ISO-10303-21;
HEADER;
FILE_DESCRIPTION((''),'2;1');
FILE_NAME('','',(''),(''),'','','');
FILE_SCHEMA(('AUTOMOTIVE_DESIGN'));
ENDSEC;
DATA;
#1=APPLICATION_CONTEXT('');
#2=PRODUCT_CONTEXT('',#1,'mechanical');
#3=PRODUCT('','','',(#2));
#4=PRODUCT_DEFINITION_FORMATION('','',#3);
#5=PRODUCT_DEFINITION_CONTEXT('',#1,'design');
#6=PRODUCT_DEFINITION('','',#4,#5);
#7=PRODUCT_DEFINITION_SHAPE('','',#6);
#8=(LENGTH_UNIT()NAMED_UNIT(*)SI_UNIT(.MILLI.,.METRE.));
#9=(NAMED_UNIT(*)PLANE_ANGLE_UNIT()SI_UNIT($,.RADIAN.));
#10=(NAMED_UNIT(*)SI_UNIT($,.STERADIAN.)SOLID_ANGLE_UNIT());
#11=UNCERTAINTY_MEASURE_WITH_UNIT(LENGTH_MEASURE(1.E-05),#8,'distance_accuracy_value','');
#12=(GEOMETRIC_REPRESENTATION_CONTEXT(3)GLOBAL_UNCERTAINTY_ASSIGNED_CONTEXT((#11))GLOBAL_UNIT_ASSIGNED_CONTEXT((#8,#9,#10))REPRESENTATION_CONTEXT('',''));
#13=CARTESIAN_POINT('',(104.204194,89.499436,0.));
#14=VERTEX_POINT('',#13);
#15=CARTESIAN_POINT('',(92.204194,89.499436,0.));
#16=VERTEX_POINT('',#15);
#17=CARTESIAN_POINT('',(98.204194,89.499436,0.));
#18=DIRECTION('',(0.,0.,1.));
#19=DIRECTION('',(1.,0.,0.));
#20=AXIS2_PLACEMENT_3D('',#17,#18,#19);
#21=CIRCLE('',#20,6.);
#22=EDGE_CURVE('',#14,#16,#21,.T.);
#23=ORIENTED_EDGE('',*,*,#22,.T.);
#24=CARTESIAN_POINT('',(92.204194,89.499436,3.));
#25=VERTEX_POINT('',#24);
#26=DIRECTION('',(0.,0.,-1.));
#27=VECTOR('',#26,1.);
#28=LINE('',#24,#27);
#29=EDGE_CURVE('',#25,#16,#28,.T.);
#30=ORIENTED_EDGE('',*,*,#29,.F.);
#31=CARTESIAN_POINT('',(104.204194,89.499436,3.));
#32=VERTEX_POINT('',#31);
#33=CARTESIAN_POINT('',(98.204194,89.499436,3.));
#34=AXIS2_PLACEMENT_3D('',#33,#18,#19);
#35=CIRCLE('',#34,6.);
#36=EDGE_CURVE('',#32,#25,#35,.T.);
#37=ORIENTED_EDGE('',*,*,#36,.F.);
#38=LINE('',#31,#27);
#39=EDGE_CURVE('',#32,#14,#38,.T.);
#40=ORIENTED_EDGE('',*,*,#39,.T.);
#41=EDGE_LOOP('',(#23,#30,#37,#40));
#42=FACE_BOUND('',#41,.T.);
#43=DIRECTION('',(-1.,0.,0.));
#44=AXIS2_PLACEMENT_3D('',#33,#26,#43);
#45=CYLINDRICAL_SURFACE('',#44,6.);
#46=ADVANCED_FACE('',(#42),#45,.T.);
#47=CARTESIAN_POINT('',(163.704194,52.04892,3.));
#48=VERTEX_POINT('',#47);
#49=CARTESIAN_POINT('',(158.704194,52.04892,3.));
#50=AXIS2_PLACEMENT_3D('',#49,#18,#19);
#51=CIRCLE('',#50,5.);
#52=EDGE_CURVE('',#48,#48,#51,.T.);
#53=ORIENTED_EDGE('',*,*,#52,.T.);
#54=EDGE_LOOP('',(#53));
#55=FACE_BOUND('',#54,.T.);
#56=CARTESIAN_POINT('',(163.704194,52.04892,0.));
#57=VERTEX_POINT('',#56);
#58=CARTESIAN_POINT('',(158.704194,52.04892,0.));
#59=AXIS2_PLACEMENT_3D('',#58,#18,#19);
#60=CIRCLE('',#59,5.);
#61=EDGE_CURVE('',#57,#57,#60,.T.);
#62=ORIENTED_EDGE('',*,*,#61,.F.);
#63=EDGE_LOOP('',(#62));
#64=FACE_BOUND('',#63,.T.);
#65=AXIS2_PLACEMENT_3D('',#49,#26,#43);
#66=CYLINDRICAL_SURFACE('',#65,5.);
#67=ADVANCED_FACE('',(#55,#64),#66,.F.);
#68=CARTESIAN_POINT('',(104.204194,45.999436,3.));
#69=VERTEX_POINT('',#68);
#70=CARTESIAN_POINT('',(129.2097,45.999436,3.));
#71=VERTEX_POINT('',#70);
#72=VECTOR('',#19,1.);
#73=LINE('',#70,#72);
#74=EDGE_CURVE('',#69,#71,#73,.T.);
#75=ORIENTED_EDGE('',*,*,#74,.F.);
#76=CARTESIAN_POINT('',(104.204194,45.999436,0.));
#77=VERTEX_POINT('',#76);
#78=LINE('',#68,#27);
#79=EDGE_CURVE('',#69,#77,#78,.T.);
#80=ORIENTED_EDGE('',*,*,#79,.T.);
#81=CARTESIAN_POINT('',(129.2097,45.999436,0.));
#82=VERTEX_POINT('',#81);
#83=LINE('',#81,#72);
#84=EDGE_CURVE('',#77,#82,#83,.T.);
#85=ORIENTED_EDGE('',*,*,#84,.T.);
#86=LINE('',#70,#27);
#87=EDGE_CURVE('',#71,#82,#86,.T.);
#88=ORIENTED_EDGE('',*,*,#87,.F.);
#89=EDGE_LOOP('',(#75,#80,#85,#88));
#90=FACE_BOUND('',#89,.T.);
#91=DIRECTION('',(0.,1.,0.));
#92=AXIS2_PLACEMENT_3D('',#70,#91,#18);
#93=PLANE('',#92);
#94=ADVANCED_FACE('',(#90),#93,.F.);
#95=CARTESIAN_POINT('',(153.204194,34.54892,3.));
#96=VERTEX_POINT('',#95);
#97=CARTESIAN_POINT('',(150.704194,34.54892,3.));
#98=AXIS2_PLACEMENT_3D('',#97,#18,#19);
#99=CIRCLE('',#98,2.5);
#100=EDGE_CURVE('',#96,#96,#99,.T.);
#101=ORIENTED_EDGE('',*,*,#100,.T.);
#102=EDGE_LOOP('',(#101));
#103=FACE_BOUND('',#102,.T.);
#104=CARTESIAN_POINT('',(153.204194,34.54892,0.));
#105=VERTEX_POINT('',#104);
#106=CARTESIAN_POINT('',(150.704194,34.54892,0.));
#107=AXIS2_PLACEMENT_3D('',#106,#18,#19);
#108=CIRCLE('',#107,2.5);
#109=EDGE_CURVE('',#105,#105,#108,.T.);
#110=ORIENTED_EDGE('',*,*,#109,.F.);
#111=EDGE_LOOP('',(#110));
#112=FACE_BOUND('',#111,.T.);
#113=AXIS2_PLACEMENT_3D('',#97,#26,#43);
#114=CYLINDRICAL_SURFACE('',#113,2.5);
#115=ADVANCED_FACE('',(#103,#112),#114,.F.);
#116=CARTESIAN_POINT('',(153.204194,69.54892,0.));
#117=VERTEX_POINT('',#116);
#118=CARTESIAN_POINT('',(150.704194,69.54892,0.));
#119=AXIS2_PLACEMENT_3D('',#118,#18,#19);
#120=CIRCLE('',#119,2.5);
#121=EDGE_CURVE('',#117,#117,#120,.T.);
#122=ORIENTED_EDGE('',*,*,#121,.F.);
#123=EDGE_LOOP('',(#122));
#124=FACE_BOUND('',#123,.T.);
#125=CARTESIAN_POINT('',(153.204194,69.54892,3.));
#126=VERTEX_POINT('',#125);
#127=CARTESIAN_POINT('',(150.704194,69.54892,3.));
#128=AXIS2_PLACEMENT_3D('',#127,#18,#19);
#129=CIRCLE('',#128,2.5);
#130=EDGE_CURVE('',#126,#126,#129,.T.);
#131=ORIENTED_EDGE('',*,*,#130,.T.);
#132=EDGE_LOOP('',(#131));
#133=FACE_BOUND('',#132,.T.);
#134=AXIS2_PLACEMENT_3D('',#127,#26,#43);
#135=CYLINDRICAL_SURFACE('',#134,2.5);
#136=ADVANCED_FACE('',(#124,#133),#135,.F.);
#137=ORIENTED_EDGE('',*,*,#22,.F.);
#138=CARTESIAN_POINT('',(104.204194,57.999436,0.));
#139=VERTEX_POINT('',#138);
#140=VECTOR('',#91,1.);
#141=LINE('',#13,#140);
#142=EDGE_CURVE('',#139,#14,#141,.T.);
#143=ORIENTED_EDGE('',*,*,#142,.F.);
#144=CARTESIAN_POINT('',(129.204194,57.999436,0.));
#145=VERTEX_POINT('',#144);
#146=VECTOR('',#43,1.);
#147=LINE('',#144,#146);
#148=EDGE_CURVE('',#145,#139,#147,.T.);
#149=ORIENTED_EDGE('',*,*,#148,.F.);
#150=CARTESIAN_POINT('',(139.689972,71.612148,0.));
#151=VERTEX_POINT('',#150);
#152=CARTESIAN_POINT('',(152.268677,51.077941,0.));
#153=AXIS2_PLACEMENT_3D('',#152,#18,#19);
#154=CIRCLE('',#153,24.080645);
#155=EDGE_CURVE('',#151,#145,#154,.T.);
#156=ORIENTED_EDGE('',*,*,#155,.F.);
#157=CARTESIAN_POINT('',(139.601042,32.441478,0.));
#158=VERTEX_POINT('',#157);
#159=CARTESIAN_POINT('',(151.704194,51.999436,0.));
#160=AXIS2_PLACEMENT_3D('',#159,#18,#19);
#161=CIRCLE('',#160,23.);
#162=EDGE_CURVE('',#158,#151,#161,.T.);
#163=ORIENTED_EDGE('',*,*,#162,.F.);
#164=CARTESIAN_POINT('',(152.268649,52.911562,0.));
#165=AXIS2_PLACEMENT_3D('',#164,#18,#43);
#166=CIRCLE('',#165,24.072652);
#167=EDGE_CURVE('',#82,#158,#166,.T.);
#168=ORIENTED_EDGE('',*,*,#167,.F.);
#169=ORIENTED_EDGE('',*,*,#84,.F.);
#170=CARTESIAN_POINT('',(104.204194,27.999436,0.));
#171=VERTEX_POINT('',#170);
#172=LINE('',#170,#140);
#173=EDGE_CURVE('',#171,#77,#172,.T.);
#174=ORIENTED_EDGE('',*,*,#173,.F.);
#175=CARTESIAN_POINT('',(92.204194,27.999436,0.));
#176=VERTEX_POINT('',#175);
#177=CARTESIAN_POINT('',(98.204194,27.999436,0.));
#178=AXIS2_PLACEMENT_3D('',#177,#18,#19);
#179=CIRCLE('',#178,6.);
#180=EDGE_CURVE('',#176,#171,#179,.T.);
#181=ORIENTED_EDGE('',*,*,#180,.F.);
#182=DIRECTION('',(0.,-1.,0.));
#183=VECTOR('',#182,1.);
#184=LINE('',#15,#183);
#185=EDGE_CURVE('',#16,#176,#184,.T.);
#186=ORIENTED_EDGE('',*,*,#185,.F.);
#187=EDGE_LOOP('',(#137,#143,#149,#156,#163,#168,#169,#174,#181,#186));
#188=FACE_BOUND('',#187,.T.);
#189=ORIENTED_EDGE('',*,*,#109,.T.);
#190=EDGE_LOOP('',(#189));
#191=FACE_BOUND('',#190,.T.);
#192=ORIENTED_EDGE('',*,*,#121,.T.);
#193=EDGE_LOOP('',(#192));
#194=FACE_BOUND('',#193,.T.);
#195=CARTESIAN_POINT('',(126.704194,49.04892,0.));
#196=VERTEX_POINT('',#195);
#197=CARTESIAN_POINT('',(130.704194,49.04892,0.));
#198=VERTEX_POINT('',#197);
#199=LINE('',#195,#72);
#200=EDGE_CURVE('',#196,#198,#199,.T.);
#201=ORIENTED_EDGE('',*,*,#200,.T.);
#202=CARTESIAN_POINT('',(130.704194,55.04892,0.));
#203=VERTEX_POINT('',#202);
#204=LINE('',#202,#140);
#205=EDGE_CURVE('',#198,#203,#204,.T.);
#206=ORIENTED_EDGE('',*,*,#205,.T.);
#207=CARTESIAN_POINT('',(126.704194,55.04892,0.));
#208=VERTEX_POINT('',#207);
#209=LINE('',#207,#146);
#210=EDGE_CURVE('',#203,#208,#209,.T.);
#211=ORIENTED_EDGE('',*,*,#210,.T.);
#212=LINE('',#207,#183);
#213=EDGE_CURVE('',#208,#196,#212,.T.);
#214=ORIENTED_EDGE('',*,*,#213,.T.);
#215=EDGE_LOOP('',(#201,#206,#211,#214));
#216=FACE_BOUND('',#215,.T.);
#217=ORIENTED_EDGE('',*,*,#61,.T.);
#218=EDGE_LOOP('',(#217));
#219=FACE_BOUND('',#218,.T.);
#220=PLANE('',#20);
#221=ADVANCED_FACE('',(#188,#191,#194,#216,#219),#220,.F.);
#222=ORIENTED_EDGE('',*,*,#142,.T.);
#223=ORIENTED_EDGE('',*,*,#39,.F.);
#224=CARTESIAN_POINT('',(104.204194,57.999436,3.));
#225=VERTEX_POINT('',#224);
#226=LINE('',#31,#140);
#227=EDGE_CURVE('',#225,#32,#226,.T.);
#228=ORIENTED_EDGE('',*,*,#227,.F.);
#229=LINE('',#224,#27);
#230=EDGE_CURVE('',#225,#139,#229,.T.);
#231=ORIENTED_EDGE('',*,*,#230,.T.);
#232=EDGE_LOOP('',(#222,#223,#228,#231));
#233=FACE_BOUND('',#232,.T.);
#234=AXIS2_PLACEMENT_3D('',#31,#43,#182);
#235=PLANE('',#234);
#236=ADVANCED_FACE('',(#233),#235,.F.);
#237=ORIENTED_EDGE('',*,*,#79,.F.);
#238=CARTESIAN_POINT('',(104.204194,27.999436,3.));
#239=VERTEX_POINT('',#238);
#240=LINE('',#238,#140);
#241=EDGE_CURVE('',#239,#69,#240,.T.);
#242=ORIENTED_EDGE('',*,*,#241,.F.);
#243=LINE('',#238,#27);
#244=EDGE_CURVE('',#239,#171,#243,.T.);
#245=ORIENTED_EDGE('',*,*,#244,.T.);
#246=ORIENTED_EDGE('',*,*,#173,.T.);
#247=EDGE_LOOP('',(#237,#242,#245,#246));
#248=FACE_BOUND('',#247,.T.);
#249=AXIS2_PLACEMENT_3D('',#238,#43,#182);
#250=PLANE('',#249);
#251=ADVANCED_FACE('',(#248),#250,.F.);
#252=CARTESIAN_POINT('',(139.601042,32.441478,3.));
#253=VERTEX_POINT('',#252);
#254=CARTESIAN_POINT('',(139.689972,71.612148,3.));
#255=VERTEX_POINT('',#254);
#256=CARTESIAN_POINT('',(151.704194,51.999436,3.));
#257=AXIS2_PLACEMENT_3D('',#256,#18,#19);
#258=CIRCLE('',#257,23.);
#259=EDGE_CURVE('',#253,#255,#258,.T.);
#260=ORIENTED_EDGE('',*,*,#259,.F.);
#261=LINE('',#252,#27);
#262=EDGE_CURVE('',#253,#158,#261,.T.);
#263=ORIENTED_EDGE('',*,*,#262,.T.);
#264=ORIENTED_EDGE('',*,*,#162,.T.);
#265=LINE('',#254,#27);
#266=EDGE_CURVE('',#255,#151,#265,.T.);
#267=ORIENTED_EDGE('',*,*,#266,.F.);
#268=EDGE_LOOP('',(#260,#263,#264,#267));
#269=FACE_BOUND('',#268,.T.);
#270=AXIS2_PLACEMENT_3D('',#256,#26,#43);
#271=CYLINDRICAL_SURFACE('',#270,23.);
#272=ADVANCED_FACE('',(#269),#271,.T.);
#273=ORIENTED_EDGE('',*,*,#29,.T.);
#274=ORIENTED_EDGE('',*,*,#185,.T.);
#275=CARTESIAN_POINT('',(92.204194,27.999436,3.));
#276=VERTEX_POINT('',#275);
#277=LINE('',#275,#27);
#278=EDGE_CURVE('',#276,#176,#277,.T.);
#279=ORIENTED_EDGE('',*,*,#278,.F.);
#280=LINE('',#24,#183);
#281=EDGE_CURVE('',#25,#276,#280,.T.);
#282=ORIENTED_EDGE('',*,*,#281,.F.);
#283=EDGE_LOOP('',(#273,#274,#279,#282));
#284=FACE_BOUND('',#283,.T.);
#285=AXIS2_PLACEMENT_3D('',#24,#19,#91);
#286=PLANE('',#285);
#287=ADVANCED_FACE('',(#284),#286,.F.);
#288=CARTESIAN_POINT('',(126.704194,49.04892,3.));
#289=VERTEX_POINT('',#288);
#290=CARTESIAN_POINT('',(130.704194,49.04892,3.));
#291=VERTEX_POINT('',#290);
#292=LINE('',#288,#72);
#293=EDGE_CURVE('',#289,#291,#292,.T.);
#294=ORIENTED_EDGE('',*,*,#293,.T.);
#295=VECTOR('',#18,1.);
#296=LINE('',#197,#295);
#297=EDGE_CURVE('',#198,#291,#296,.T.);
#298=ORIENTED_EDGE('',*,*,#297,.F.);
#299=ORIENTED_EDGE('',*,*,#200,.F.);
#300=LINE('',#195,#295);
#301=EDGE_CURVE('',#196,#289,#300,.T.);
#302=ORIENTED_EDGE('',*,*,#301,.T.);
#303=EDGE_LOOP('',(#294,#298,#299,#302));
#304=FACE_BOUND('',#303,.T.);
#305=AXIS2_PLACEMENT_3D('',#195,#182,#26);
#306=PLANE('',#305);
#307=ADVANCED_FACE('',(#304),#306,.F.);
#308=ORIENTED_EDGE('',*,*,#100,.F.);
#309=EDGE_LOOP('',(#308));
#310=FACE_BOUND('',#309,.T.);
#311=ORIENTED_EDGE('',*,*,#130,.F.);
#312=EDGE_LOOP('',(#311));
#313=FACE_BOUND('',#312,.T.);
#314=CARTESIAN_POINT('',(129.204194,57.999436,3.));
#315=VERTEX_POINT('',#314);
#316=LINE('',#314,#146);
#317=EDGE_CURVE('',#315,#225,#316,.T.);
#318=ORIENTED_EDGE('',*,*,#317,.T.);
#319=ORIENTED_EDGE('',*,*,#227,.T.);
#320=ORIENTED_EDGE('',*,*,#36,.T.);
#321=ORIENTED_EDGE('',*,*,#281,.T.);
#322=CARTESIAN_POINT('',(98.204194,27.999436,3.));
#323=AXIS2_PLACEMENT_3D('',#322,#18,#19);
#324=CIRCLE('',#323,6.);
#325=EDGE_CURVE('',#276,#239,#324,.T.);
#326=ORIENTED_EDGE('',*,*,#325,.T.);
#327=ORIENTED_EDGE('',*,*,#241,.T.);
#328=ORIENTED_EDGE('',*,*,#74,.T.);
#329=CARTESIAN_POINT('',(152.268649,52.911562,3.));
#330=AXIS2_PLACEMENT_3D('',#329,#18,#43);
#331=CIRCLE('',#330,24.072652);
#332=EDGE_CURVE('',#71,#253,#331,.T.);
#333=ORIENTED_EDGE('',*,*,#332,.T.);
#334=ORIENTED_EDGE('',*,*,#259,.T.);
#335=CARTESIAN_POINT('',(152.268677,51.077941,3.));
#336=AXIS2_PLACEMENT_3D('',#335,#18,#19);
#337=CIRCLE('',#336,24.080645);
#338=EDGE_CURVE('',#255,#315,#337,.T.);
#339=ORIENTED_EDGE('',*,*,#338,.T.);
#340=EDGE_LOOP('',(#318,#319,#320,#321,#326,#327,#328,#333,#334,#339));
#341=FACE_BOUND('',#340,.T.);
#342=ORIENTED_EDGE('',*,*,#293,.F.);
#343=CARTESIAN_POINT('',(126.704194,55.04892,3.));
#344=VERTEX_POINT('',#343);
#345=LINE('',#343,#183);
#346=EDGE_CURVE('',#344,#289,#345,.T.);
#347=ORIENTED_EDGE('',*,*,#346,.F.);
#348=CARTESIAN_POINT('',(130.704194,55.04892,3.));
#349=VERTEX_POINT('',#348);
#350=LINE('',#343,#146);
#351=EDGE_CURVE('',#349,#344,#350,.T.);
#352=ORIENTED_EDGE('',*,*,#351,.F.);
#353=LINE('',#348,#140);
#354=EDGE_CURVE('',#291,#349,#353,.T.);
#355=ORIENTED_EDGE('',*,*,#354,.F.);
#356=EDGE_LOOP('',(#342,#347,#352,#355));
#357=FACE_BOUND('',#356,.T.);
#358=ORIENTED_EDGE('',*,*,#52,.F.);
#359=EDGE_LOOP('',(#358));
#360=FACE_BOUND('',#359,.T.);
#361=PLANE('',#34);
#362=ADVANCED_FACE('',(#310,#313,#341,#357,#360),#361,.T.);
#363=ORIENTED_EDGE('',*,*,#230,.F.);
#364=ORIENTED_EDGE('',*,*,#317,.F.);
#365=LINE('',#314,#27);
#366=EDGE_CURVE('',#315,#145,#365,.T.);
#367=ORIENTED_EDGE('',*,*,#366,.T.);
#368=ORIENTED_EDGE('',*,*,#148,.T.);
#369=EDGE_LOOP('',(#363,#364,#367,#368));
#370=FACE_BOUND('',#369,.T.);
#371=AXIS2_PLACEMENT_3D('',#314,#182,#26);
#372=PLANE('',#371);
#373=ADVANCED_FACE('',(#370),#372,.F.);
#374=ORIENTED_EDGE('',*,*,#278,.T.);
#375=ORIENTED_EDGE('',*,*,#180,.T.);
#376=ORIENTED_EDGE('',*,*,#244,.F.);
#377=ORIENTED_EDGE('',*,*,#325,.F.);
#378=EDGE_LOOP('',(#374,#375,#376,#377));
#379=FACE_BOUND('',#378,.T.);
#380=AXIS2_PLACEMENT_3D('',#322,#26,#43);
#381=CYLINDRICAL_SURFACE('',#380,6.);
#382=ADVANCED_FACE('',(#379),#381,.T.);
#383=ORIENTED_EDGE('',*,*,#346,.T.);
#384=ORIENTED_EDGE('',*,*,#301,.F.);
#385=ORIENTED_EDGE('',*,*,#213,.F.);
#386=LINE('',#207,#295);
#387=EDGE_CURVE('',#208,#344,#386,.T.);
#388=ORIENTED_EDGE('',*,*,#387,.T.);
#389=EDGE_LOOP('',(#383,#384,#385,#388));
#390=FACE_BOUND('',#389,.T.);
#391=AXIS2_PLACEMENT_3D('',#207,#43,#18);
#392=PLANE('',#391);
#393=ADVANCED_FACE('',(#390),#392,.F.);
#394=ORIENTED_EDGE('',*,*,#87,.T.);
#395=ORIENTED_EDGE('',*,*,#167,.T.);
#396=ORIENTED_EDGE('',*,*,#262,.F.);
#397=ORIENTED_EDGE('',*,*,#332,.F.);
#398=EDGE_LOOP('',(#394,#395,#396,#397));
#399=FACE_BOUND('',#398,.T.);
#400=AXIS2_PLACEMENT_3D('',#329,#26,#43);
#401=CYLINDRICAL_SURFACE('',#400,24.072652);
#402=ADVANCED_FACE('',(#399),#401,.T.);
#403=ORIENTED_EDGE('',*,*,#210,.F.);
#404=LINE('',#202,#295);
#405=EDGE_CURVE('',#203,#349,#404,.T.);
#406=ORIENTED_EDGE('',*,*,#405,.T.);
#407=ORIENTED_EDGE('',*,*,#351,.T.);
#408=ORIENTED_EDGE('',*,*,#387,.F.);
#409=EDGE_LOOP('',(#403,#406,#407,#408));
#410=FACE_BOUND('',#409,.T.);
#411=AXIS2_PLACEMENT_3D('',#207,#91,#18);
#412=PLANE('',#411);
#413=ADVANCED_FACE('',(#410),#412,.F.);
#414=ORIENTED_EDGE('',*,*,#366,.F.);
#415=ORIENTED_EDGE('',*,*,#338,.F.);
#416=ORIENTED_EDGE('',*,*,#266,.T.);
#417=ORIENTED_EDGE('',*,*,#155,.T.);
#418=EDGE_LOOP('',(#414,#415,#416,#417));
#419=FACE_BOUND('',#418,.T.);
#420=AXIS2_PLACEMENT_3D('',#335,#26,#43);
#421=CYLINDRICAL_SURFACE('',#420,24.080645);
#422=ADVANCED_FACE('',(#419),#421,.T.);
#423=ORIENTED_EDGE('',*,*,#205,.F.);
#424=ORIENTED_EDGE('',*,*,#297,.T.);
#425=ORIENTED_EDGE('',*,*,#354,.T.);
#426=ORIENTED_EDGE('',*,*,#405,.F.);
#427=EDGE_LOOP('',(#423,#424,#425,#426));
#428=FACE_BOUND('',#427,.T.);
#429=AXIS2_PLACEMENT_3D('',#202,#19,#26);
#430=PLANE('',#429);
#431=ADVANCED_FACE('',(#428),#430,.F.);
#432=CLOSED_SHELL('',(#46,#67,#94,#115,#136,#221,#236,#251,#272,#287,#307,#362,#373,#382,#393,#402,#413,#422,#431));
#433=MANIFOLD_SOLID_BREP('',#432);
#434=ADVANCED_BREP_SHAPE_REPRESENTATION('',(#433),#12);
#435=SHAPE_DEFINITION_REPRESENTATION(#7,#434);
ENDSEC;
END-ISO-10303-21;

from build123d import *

# Parameters (mm, degrees)
SKETCH_1_R          = 5
SKETCH_1_R_2        = 2.5
EXTRUDE_1_DEPTH     = 3
SKETCH_2_W          = 4
SKETCH_2_H          = 6
CUT_EXTRUDE_1_DEPTH = 3


with BuildPart() as part:
    # 草图1 → 凸台-拉伸1 (new body)
    with BuildSketch(Plane.XY):
        with BuildLine():
            Line((104.204193709, 89.499436202), (104.204193709, 57.999436202))
            Line((104.204193709, 57.999436202), (129.204193709, 57.999436202))
            ThreePointArc((129.204193709, 57.999436202), (133.19157799, 65.772898709), (139.689971603, 71.61214808))
            ThreePointArc((139.689971603, 71.61214808), (174.704134434, 51.947219111), (139.601041877, 32.44147834))
            ThreePointArc((139.601041877, 32.44147834), (133.162334619, 38.267746144), (129.209700495, 45.999436202))
            Line((129.209700495, 45.999436202), (104.204193709, 45.999436202))
            Line((104.204193709, 45.999436202), (104.204193709, 27.999436202))
            ThreePointArc((104.204193709, 27.999436202), (98.204193709, 21.999436202), (92.204193709, 27.999436202))
            Line((92.204193709, 27.999436202), (92.204193709, 89.499436202))
            ThreePointArc((92.204193709, 89.499436202), (98.204193709, 95.499436202), (104.204193709, 89.499436202))
        make_face()
        with Locations((158.704193709, 52.048919583)):
            Circle(SKETCH_1_R, mode=Mode.SUBTRACT)
        with Locations((150.704193709, 69.548919583)):
            Circle(SKETCH_1_R_2, mode=Mode.SUBTRACT)
        with Locations((150.704193709, 34.548919583)):
            Circle(SKETCH_1_R_2, mode=Mode.SUBTRACT)
    extrude(amount=EXTRUDE_1_DEPTH)

    # 草图2 → 切除-拉伸1 (cut)
    with BuildSketch(Plane.XY.offset(3)):
        with Locations((128.704193709, 52.048919583)):
            Rectangle(SKETCH_2_W, SKETCH_2_H)
    extrude(amount=-CUT_EXTRUDE_1_DEPTH, mode=Mode.SUBTRACT)


solid = part.part
